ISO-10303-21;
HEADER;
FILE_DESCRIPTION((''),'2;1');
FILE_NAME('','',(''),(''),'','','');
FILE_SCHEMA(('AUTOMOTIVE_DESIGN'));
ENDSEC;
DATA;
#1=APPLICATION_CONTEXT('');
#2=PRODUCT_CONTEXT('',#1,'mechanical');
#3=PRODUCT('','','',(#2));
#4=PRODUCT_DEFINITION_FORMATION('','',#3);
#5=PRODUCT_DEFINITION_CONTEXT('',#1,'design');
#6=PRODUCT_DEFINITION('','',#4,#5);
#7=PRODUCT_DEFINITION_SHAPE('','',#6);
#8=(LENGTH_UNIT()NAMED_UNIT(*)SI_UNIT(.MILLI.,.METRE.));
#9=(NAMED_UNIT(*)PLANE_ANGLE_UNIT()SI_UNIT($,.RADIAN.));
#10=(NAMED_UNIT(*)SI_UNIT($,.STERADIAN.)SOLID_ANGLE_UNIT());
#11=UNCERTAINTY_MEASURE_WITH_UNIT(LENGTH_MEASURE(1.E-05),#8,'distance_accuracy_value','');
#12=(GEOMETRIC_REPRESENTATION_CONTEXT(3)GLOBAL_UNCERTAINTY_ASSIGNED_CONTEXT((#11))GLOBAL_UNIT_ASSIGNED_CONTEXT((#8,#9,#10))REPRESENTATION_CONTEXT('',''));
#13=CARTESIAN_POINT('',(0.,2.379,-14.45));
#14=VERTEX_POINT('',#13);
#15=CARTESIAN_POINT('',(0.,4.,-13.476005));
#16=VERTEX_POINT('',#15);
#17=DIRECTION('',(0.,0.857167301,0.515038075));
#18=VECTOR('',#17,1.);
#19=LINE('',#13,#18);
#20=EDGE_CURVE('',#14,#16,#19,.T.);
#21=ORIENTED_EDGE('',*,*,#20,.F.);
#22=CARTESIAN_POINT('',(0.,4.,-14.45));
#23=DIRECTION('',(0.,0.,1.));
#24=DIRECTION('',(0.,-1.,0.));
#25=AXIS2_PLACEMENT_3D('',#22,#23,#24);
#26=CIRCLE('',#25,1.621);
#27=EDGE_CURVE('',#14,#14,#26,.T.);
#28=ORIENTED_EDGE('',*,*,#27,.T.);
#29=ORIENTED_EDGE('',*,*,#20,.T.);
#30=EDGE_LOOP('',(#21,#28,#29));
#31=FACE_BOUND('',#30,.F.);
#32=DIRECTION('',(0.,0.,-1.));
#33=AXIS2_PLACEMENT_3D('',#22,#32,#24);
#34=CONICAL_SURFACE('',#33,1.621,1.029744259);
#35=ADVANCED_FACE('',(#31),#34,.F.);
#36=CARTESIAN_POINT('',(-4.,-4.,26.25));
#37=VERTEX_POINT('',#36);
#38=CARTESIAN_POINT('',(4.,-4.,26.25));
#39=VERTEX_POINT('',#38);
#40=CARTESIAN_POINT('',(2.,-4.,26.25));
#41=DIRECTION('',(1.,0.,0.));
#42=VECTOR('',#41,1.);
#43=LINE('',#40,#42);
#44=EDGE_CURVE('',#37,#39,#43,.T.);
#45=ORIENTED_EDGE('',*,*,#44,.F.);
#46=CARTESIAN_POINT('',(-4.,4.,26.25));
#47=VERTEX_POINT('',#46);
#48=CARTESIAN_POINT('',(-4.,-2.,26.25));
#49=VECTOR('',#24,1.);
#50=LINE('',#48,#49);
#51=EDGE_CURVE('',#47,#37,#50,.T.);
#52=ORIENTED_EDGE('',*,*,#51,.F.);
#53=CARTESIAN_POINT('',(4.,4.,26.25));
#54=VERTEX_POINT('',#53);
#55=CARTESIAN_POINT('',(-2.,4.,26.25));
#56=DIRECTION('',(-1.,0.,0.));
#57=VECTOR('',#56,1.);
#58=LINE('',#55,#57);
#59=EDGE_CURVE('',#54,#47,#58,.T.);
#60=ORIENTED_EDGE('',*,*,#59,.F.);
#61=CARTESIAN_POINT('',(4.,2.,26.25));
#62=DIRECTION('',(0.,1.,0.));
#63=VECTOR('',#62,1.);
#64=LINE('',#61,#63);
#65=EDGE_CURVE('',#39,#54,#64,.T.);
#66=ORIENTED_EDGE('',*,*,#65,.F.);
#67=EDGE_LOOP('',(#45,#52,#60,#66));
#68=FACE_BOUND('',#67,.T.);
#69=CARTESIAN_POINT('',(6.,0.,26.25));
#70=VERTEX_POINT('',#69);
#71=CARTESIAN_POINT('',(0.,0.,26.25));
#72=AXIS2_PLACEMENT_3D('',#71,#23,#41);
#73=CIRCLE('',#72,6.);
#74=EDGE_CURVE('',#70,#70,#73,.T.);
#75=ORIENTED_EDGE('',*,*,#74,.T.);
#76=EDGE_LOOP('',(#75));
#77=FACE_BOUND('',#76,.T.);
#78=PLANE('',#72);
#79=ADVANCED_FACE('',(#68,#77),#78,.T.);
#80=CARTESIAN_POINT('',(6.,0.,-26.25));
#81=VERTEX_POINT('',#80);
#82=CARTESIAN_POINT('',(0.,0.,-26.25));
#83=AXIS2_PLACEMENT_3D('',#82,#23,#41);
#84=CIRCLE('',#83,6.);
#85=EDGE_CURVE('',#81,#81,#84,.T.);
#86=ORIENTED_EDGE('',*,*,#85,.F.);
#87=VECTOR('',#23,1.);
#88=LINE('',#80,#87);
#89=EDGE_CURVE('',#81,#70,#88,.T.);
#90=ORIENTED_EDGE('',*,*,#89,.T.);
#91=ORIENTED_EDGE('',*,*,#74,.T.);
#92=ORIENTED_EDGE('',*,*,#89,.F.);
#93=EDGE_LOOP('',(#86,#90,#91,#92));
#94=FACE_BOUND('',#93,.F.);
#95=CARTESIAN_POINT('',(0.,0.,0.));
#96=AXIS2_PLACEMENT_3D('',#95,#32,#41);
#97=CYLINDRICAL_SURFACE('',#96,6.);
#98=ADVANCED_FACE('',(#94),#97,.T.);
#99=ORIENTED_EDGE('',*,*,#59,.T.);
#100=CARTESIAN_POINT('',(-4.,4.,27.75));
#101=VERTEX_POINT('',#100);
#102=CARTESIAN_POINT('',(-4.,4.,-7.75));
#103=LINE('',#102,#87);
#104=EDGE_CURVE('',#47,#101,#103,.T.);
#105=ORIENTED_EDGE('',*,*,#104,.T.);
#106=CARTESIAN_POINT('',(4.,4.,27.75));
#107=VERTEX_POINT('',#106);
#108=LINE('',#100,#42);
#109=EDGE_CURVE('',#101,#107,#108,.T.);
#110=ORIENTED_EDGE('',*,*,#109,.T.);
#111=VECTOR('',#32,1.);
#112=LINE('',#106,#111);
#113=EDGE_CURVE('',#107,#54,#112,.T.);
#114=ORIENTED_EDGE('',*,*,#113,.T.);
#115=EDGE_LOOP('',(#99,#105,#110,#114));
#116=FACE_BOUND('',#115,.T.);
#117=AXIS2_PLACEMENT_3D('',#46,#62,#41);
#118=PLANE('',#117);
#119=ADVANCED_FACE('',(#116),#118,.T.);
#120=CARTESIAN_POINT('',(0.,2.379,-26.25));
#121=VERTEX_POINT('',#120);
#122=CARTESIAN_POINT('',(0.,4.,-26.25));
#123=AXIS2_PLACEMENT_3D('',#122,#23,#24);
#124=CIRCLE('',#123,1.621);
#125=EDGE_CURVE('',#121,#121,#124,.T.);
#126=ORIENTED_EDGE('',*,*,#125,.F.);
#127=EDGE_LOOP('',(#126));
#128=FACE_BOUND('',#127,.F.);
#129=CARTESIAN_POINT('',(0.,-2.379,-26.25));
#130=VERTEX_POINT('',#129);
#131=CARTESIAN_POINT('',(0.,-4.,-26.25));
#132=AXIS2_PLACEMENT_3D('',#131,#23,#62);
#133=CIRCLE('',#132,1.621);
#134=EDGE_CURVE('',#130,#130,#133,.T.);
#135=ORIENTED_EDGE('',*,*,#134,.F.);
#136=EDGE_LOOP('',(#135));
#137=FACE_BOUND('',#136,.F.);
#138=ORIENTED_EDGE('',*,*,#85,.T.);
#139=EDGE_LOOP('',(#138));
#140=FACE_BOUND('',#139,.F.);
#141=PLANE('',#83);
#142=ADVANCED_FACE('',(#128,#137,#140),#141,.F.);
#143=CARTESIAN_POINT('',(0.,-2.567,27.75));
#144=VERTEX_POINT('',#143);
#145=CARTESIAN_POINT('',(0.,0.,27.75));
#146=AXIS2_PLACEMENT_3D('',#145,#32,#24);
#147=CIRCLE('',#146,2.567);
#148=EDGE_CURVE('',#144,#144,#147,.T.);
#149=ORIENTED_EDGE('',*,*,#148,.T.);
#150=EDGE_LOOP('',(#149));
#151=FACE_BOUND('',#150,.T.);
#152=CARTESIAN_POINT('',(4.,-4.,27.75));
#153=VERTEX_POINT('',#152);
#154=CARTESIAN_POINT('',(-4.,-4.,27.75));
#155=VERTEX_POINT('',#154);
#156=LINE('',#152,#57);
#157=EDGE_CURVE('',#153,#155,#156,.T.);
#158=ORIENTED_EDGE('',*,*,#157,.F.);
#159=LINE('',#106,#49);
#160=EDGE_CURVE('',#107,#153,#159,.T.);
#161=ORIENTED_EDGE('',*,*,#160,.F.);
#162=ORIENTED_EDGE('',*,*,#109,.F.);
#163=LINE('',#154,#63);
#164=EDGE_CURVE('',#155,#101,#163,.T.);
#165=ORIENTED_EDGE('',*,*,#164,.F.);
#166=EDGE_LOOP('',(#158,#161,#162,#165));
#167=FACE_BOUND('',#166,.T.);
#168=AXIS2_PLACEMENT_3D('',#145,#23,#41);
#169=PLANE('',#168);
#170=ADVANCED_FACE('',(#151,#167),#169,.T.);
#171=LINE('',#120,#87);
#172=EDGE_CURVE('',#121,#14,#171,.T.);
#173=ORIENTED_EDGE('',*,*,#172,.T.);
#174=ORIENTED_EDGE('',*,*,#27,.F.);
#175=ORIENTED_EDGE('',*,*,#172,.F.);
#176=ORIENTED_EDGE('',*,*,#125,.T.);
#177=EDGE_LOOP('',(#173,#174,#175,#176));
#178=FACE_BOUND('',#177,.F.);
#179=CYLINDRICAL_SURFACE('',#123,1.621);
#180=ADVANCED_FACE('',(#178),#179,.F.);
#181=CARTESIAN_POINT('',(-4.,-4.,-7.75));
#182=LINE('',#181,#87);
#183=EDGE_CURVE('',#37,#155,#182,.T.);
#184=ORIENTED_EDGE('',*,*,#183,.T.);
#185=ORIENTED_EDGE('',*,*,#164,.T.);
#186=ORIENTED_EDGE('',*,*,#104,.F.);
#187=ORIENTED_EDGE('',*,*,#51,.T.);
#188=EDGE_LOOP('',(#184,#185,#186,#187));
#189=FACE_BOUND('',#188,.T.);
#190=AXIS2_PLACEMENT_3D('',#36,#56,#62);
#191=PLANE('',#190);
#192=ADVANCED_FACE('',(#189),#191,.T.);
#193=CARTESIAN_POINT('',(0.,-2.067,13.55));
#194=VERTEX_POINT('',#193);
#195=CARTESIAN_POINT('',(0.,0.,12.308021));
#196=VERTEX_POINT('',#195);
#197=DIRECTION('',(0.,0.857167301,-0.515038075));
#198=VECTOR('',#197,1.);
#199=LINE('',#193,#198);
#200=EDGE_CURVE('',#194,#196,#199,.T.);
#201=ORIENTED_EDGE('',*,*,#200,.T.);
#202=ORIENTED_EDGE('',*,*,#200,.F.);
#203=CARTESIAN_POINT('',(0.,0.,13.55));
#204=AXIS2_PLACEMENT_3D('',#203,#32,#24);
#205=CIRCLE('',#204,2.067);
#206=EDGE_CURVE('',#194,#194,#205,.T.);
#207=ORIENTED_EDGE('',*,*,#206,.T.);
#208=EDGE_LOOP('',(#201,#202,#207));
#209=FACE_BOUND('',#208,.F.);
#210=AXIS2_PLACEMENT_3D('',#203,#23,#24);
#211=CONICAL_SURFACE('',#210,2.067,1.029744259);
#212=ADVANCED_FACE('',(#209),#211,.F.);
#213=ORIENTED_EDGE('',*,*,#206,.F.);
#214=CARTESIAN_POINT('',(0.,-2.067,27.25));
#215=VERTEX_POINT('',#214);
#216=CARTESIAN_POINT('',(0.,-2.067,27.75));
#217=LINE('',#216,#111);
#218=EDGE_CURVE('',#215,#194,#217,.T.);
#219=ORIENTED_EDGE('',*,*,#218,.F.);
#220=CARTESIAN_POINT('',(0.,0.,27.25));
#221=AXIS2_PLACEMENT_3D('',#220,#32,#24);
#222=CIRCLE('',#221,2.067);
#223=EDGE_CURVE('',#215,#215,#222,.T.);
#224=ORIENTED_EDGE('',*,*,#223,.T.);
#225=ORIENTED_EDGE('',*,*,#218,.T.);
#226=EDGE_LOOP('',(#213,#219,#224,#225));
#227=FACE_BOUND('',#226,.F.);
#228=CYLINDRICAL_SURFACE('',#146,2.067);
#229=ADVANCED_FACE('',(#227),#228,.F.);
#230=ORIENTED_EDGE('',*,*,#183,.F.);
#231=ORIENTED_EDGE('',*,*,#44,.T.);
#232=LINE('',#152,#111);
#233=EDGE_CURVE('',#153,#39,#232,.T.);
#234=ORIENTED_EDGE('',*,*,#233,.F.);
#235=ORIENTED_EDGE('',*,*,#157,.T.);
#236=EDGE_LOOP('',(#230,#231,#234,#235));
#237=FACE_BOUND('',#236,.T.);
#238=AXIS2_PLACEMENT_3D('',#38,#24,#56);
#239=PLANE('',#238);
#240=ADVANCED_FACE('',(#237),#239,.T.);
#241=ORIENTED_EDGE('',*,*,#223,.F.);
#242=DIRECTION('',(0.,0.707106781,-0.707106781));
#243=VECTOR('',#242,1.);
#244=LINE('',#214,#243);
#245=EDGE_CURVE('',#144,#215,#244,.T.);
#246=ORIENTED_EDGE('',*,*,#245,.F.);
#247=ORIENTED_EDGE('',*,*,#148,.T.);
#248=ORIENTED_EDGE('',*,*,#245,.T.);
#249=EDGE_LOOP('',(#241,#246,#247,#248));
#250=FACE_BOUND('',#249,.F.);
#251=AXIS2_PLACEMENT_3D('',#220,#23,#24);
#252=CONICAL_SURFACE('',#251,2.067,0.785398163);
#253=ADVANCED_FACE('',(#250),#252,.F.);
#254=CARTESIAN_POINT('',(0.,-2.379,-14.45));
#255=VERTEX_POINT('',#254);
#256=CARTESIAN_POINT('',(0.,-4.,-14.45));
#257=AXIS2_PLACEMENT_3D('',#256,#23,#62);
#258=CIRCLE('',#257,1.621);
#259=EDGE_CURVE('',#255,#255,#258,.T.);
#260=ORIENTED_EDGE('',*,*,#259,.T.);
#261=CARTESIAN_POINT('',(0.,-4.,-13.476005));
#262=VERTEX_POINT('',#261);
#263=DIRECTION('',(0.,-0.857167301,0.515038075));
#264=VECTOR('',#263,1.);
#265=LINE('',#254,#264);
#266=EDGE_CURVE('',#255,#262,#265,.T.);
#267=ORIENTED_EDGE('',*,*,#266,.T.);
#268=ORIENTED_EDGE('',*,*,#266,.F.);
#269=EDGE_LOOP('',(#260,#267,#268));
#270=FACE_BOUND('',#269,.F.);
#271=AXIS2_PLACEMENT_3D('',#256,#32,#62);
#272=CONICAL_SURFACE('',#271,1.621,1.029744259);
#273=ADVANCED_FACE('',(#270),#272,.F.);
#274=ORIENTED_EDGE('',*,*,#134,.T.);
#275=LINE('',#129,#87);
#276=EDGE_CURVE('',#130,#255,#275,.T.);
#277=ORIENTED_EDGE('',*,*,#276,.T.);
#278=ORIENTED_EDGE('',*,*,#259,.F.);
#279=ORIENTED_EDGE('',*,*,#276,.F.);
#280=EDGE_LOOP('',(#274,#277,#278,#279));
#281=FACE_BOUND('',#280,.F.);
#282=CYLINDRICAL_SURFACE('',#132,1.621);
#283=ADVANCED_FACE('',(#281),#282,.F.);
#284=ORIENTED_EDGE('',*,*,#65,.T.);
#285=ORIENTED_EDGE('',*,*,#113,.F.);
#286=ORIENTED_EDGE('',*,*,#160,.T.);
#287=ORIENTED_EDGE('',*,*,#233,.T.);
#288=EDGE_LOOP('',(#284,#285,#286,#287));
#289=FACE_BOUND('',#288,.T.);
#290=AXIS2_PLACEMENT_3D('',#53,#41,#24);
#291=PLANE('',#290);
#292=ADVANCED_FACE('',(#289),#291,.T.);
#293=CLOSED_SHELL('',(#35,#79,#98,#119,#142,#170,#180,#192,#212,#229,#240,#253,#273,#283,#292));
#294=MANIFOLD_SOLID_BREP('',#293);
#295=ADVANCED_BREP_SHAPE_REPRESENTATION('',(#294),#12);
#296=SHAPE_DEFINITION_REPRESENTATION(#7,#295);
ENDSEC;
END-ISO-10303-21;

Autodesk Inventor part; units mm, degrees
ref_plane "YZ Plane" through (0, 0, 0) normal (1, 0, 0) x (0, 1, 0)
ref_plane "XZ Plane" through (0, 0, 0) normal (0, 1, 0) x (-1, 0, 0)
ref_plane "XY Plane" through (0, 0, 0) normal (0, 0, 1) x (1, 0, 0)
sketch "Sketch1" plane through (0, 0, 0) normal (0, 0, 1) x (1, 0, 0)
  circle A0 centre (0, 0) radius 6
  dimension "d0" = 12
extrude "Extrusion1" add sketch "Sketch1" along normal mid plane 52.5
sketch "Sketch2" plane through (0, 0, 26.25) normal (0, 0, 1) x (1, 0, 0)
  circle A0 centre (0, 0) radius 6
  line L0 (-4, 4) -> (4, 4)
  line L1 (4, 4) -> (4, -4)
  line L2 (4, -4) -> (-4, -4)
  line L3 (-4, -4) -> (-4, 4)
  line L4 (-4, 4) -> (4, -4) construction
  line L5 (4, 4) -> (-4, -4) construction
  dimension "d3" = 12
  dimension "d4" = 8
  dimension "d5" = 8
extrude "Extrusion2" add sketch "Sketch2" along normal blind 1.5 and the other way blind 34 contours L0 L1 L2 L3
sketch "Sketch6" plane through (0, 0, -26.25) normal (0, 0, -1) x (-1, 0, 0)
  circle A0 centre (0, -4) radius 1.5
  point P0 (0, 0)
  dimension "d28" = 3
  dimension "d29" = 4
hole "Hole2" at (0, -4, -26.25) direction (0, 0, 1) diameter 3.242 depth 11.8 tip angle 118 counterbore diameter 9 counterbore depth 0 thread size "M4x0.7" class "6H" standard "ISO Metric profile"
sketch "Sketch7" plane through (0, 0, -26.25) normal (0, 0, -1) x (-1, 0, 0)
  point P0 (0, 0)
pattern_circular "Circular Pattern1" count 2 over 360 about axis through (0, 0, 0) along (0, 0, 1) of "Hole2"
sketch "Sketch8" plane through (0, 0, 27.75) normal (0, 0, 1) x (1, 0, 0)
  circle A0 centre (0, 0) radius 1.2628
hole "Hole3" at (0, 0, 27.75) direction (0, 0, -1) diameter 4.134 depth 14.2 tip angle 118 thread size "M5x0.8" class "6H" standard "ISO Metric profile"
chamfer "Chamfer1" distance 0.5 angle 45 1 edges at (0, 2.067, 27.75)
properties part number "Joint1_Shaft"
